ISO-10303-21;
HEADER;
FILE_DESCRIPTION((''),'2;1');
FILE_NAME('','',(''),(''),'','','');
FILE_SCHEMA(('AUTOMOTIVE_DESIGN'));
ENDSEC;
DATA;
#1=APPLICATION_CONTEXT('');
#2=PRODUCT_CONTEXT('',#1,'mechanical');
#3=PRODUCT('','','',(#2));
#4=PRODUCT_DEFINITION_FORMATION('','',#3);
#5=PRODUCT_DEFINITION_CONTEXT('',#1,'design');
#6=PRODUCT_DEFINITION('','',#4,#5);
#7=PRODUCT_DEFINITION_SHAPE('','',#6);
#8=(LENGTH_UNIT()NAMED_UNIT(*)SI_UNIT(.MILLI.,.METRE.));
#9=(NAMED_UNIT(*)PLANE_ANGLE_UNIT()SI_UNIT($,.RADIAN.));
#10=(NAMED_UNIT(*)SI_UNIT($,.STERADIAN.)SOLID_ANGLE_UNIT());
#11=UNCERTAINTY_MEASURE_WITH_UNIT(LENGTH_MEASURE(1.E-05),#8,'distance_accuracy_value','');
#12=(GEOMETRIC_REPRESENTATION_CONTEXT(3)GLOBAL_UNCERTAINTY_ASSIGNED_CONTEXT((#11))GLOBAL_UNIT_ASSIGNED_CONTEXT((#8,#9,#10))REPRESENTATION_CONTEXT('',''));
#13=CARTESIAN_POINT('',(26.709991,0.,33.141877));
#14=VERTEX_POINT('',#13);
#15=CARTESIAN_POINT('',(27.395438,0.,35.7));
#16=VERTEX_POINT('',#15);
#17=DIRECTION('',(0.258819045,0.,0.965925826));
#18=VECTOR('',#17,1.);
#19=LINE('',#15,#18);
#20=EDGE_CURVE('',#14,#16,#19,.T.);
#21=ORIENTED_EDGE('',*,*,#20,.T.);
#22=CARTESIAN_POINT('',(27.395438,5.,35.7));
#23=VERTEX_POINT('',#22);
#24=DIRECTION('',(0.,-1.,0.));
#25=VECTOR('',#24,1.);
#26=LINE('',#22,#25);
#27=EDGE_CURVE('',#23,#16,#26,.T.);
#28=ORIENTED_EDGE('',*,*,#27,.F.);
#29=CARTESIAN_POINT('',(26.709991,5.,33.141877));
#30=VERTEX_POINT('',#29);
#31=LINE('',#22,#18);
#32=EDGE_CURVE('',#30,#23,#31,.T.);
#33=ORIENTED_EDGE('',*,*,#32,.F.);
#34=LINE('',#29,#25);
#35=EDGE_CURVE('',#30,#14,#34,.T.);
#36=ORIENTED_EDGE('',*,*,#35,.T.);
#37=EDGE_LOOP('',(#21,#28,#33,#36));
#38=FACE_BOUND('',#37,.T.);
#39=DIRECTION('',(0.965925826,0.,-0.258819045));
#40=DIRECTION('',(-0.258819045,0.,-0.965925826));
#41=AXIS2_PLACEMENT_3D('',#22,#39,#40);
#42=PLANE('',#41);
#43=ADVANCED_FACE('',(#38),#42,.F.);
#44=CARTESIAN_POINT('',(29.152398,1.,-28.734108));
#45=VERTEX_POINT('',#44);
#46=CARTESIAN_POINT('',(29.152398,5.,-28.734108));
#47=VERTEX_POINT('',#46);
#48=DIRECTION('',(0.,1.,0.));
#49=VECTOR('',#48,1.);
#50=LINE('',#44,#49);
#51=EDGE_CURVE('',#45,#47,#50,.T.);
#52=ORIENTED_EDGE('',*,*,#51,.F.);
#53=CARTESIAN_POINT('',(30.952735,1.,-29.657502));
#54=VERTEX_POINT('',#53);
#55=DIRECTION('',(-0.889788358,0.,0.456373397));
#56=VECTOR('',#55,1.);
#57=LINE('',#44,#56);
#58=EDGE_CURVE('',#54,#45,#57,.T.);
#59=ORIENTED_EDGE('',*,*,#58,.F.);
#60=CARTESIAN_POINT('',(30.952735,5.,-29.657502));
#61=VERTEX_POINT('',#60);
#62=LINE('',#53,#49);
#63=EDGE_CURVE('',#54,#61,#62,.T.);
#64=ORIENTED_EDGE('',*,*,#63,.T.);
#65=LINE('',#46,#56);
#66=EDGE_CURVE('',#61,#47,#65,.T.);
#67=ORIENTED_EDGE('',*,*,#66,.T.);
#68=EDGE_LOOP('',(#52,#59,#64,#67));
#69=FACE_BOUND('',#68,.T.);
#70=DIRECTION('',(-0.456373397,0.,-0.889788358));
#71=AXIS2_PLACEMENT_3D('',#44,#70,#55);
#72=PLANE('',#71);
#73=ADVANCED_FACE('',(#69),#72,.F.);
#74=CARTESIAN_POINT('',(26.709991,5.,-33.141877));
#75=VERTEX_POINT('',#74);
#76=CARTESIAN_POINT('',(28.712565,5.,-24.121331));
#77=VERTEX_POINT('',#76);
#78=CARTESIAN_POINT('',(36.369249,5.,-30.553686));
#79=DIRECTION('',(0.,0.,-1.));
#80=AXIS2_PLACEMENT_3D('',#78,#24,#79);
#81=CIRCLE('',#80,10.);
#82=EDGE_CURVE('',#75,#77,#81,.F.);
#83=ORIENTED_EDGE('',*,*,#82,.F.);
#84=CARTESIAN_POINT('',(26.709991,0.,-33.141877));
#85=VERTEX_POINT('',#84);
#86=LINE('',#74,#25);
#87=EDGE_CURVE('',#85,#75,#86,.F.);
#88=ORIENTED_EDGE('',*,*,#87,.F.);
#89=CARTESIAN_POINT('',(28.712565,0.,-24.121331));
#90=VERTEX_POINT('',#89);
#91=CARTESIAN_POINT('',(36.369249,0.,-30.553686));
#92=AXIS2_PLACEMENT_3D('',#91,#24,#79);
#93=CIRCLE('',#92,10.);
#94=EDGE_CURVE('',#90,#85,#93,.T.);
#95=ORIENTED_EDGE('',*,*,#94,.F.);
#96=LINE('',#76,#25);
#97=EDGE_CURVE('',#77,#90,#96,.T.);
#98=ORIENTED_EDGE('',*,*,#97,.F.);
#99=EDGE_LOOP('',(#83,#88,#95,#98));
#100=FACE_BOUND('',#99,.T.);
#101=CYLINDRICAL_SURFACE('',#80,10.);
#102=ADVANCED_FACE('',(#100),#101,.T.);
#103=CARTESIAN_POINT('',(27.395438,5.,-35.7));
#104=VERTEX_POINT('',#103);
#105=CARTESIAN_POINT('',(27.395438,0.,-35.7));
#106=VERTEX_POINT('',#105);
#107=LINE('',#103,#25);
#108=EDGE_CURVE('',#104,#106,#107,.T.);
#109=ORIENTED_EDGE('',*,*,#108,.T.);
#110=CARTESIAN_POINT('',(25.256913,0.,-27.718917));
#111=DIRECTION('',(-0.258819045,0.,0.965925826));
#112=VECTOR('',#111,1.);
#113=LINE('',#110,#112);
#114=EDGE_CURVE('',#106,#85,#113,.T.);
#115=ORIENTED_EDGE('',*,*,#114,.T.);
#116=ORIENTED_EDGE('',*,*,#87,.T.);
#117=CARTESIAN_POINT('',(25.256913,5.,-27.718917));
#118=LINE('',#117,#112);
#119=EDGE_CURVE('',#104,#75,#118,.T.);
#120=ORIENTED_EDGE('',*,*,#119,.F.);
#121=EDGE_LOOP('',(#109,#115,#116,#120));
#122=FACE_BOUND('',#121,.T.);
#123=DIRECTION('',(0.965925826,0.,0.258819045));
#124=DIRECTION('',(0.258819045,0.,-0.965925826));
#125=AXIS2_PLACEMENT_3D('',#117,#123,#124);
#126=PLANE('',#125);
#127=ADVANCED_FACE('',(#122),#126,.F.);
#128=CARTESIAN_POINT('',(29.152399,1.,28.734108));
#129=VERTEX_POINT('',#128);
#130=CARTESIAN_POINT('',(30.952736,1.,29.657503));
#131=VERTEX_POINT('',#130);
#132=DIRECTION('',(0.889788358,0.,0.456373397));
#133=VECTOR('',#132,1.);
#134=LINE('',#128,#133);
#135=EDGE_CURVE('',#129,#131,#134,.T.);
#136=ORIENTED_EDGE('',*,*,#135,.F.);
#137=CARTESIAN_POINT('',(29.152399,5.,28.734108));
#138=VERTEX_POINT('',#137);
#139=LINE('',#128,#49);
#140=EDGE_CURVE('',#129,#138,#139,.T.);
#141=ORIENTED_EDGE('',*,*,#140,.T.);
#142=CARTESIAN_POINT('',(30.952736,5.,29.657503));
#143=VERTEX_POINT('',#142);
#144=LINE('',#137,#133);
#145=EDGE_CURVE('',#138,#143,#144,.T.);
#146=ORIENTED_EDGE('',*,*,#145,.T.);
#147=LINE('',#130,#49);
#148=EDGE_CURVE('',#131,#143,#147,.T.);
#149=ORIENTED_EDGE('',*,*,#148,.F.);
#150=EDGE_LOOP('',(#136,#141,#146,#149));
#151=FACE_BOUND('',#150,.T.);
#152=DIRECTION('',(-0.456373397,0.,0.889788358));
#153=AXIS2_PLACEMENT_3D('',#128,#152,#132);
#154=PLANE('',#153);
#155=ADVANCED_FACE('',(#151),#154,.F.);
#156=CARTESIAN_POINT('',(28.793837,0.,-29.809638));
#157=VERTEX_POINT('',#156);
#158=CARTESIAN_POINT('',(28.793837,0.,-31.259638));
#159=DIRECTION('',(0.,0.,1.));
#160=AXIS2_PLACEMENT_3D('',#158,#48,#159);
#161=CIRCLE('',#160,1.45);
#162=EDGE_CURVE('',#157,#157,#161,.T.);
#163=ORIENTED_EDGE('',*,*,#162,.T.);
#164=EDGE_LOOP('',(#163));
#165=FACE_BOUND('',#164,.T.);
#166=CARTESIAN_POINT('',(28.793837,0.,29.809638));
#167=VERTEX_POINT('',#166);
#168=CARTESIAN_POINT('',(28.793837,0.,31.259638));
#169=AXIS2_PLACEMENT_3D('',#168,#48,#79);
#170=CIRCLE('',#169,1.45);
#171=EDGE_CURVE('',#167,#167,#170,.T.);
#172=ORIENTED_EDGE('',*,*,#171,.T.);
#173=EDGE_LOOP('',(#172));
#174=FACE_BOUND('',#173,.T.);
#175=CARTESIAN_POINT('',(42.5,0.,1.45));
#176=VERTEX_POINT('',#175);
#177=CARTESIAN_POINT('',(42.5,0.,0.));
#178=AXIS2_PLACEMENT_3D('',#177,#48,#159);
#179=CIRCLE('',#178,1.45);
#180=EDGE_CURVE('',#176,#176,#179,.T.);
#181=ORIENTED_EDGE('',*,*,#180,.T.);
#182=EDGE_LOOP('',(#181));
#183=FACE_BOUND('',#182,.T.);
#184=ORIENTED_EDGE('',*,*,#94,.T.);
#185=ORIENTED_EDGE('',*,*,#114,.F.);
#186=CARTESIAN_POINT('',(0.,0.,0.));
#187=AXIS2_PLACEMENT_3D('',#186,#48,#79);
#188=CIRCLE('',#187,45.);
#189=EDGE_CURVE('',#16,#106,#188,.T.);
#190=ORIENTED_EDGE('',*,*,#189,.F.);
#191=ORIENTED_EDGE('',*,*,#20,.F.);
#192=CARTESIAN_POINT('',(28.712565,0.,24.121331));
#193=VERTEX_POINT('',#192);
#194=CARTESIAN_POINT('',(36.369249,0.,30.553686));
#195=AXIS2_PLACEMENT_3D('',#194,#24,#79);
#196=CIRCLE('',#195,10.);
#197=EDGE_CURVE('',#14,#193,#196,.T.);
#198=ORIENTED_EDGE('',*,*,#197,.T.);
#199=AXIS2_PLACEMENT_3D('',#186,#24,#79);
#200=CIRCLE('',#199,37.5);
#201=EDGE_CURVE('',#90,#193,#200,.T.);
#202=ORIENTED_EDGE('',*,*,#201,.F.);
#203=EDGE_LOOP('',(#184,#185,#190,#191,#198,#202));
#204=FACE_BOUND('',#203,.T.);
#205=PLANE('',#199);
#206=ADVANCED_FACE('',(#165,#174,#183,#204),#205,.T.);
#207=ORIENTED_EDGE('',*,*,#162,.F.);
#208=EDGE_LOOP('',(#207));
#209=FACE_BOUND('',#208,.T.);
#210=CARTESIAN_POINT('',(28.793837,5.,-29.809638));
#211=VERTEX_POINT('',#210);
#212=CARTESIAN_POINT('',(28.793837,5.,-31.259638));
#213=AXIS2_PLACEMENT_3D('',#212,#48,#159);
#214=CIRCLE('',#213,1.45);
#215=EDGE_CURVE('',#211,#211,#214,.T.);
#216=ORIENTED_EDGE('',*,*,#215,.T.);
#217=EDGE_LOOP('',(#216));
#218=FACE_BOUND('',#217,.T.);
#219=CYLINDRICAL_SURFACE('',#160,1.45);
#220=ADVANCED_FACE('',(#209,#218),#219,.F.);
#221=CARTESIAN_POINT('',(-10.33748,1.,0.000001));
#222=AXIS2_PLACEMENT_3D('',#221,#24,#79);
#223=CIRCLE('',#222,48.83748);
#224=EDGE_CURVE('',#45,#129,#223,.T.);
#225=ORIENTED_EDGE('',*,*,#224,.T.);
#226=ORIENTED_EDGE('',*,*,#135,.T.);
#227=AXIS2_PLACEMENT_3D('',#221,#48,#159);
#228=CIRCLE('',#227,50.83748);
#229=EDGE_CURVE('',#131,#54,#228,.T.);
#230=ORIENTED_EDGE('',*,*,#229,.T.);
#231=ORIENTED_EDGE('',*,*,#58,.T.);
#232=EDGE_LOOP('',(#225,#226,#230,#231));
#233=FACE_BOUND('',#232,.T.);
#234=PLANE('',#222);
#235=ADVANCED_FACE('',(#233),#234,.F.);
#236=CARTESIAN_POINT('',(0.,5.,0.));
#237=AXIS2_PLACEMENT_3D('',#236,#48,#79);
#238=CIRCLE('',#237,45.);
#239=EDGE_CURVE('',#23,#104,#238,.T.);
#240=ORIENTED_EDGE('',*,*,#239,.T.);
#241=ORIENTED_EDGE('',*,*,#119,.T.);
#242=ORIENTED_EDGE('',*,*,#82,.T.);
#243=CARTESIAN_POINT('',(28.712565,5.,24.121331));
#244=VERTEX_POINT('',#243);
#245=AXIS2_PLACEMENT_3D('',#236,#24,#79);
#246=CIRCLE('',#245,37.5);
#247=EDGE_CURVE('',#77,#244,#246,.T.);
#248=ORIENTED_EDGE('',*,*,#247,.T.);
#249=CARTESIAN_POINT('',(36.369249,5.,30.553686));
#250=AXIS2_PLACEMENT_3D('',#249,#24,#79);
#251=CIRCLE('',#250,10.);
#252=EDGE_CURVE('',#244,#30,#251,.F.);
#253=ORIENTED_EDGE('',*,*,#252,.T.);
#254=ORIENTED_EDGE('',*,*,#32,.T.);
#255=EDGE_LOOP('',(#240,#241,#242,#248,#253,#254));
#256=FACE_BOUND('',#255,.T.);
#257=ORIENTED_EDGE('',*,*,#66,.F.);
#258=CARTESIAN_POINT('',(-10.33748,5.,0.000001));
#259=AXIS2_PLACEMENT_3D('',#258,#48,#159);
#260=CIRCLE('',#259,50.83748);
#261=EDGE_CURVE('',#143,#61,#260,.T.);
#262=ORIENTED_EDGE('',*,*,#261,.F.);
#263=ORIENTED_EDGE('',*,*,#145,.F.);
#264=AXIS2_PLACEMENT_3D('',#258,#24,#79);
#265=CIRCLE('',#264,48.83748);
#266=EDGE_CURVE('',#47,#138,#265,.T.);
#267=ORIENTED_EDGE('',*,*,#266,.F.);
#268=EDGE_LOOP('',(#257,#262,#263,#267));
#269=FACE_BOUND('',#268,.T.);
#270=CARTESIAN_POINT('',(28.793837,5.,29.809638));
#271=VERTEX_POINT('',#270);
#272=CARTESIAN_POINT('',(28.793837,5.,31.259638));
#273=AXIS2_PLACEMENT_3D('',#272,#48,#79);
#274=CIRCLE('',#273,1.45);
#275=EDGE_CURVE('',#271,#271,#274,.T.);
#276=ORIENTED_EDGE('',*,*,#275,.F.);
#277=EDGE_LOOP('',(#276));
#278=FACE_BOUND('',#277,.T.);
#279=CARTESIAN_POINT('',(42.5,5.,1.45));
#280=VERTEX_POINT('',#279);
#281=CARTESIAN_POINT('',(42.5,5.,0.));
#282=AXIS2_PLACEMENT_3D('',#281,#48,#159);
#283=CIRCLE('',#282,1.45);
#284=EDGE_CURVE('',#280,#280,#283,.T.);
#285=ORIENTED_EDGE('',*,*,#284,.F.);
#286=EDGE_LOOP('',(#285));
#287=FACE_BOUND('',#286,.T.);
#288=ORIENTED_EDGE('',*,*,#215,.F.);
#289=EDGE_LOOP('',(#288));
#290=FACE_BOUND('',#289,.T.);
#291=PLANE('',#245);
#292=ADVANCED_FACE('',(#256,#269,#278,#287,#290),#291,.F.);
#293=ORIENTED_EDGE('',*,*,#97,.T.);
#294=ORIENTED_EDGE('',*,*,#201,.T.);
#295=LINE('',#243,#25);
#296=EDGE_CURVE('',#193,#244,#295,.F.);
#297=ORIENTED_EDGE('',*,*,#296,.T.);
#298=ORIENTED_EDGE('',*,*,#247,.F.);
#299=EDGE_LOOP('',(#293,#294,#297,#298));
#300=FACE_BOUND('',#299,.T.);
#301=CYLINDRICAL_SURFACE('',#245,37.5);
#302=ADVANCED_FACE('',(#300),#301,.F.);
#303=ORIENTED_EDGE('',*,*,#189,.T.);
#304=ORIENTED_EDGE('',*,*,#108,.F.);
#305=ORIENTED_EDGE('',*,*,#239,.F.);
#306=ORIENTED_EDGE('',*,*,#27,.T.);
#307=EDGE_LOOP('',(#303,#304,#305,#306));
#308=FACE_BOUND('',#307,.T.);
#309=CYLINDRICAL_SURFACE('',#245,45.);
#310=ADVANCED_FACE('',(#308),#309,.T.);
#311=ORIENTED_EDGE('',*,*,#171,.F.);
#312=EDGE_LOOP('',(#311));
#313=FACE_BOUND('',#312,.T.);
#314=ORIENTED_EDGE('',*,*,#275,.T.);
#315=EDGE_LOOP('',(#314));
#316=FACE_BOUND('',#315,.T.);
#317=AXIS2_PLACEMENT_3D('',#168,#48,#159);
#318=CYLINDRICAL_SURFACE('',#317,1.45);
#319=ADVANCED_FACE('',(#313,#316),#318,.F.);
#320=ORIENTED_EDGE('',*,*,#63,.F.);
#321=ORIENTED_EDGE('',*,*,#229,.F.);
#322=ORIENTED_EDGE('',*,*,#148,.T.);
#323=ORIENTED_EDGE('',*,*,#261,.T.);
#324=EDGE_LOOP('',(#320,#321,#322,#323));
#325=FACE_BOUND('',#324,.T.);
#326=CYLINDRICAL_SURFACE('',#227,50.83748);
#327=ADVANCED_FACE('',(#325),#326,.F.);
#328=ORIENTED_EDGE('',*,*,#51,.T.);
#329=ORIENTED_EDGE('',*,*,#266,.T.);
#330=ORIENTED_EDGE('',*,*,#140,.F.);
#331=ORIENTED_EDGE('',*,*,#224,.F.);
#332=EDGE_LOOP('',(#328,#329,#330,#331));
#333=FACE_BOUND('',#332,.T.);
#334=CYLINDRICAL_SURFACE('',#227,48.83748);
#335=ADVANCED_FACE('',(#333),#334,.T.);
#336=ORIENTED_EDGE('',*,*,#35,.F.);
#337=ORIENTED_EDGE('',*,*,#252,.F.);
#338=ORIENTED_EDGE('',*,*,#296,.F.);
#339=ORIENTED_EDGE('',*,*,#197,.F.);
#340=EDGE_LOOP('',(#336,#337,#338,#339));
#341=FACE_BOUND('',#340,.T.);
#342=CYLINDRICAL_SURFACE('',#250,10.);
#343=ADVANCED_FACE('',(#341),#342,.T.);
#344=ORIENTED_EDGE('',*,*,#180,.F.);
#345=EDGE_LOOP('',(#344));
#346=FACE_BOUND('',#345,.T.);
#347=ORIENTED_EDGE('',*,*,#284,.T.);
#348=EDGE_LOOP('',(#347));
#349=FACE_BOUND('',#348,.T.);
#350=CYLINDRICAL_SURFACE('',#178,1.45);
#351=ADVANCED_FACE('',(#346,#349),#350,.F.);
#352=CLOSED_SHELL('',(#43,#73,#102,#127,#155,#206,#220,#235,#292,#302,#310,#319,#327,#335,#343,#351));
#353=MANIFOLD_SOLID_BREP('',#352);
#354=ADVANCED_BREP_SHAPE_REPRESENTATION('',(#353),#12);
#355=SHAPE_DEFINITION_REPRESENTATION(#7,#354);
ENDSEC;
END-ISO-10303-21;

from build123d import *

# Parameters (mm, degrees)
EXTRUDE_1_DEPTH     = 5
SKETCH_2_R          = 1.45
CUT_EXTRUDE_1_DEPTH = 5
CUT_EXTRUDE_2_DEPTH = 4
FILLET_1_R          = 10


with BuildPart() as part:
    # Эскиз1 → Бобышка-Вытянуть1 (new body)
    with BuildSketch(Plane(origin=(0, 0, 0), x_dir=(1, 0, 0), z_dir=(0, 1, 0))):
        with BuildLine():
            Line((25.256912811, 27.718916921), (27.395437576, 35.7))
            ThreePointArc((27.395437576, 35.7), (45, 0), (27.395437576, -35.7))
            Line((27.395437576, -35.7), (25.256912811, -27.718916921))
            ThreePointArc((25.256912811, -27.718916921), (37.5, 0), (25.256912811, 27.718916921))
        make_face()
    extrude(amount=EXTRUDE_1_DEPTH)

    # Эскиз2 → Вырез-Вытянуть1 (cut)
    with BuildSketch(Plane(origin=(0, 5, 0), x_dir=(1, 0, 0), z_dir=(0, 1, 0))):
        with Locations(Location((42.5, 0, 0), (0, 0, 270))):
            Circle(SKETCH_2_R)
        with Locations(Location((28.793836633, 31.259638065, 0), (0, 0, 270))):
            Circle(SKETCH_2_R)
        with Locations(Location((28.793836633, -31.259638065, 0), (0, 0, 90))):
            Circle(SKETCH_2_R)
    extrude(amount=-CUT_EXTRUDE_1_DEPTH, mode=Mode.SUBTRACT)

    # Эскиз3 → Вырез-Вытянуть2 (cut)
    with BuildSketch(Plane(origin=(0, 5, 0), x_dir=(1, 0, 0), z_dir=(0, 1, 0))):
        with BuildLine():
            Line((29.152397919, 28.734107513), (30.952735107, 29.657502375))
            ThreePointArc((30.952735107, 29.657502375), (40.5, -1.12e-07), (30.952736281, -29.657502977))
            Line((30.952736281, -29.657502977), (29.152399104, -28.734108121))
            ThreePointArc((29.152399104, -28.734108121), (38.5, -1.11e-07), (29.152397919, 28.734107513))
        make_face()
    extrude(amount=-CUT_EXTRUDE_2_DEPTH, mode=Mode.SUBTRACT)

    # Скругление1
    fillet_1_edges = [part.edges().sort_by_distance(p)[0] for p in [
        (25.256912811, 2.5, 27.718916921),
        (25.256912811, 2.5, -27.718916921),
    ]]
    fillet(fillet_1_edges, radius=FILLET_1_R)


solid = part.part
